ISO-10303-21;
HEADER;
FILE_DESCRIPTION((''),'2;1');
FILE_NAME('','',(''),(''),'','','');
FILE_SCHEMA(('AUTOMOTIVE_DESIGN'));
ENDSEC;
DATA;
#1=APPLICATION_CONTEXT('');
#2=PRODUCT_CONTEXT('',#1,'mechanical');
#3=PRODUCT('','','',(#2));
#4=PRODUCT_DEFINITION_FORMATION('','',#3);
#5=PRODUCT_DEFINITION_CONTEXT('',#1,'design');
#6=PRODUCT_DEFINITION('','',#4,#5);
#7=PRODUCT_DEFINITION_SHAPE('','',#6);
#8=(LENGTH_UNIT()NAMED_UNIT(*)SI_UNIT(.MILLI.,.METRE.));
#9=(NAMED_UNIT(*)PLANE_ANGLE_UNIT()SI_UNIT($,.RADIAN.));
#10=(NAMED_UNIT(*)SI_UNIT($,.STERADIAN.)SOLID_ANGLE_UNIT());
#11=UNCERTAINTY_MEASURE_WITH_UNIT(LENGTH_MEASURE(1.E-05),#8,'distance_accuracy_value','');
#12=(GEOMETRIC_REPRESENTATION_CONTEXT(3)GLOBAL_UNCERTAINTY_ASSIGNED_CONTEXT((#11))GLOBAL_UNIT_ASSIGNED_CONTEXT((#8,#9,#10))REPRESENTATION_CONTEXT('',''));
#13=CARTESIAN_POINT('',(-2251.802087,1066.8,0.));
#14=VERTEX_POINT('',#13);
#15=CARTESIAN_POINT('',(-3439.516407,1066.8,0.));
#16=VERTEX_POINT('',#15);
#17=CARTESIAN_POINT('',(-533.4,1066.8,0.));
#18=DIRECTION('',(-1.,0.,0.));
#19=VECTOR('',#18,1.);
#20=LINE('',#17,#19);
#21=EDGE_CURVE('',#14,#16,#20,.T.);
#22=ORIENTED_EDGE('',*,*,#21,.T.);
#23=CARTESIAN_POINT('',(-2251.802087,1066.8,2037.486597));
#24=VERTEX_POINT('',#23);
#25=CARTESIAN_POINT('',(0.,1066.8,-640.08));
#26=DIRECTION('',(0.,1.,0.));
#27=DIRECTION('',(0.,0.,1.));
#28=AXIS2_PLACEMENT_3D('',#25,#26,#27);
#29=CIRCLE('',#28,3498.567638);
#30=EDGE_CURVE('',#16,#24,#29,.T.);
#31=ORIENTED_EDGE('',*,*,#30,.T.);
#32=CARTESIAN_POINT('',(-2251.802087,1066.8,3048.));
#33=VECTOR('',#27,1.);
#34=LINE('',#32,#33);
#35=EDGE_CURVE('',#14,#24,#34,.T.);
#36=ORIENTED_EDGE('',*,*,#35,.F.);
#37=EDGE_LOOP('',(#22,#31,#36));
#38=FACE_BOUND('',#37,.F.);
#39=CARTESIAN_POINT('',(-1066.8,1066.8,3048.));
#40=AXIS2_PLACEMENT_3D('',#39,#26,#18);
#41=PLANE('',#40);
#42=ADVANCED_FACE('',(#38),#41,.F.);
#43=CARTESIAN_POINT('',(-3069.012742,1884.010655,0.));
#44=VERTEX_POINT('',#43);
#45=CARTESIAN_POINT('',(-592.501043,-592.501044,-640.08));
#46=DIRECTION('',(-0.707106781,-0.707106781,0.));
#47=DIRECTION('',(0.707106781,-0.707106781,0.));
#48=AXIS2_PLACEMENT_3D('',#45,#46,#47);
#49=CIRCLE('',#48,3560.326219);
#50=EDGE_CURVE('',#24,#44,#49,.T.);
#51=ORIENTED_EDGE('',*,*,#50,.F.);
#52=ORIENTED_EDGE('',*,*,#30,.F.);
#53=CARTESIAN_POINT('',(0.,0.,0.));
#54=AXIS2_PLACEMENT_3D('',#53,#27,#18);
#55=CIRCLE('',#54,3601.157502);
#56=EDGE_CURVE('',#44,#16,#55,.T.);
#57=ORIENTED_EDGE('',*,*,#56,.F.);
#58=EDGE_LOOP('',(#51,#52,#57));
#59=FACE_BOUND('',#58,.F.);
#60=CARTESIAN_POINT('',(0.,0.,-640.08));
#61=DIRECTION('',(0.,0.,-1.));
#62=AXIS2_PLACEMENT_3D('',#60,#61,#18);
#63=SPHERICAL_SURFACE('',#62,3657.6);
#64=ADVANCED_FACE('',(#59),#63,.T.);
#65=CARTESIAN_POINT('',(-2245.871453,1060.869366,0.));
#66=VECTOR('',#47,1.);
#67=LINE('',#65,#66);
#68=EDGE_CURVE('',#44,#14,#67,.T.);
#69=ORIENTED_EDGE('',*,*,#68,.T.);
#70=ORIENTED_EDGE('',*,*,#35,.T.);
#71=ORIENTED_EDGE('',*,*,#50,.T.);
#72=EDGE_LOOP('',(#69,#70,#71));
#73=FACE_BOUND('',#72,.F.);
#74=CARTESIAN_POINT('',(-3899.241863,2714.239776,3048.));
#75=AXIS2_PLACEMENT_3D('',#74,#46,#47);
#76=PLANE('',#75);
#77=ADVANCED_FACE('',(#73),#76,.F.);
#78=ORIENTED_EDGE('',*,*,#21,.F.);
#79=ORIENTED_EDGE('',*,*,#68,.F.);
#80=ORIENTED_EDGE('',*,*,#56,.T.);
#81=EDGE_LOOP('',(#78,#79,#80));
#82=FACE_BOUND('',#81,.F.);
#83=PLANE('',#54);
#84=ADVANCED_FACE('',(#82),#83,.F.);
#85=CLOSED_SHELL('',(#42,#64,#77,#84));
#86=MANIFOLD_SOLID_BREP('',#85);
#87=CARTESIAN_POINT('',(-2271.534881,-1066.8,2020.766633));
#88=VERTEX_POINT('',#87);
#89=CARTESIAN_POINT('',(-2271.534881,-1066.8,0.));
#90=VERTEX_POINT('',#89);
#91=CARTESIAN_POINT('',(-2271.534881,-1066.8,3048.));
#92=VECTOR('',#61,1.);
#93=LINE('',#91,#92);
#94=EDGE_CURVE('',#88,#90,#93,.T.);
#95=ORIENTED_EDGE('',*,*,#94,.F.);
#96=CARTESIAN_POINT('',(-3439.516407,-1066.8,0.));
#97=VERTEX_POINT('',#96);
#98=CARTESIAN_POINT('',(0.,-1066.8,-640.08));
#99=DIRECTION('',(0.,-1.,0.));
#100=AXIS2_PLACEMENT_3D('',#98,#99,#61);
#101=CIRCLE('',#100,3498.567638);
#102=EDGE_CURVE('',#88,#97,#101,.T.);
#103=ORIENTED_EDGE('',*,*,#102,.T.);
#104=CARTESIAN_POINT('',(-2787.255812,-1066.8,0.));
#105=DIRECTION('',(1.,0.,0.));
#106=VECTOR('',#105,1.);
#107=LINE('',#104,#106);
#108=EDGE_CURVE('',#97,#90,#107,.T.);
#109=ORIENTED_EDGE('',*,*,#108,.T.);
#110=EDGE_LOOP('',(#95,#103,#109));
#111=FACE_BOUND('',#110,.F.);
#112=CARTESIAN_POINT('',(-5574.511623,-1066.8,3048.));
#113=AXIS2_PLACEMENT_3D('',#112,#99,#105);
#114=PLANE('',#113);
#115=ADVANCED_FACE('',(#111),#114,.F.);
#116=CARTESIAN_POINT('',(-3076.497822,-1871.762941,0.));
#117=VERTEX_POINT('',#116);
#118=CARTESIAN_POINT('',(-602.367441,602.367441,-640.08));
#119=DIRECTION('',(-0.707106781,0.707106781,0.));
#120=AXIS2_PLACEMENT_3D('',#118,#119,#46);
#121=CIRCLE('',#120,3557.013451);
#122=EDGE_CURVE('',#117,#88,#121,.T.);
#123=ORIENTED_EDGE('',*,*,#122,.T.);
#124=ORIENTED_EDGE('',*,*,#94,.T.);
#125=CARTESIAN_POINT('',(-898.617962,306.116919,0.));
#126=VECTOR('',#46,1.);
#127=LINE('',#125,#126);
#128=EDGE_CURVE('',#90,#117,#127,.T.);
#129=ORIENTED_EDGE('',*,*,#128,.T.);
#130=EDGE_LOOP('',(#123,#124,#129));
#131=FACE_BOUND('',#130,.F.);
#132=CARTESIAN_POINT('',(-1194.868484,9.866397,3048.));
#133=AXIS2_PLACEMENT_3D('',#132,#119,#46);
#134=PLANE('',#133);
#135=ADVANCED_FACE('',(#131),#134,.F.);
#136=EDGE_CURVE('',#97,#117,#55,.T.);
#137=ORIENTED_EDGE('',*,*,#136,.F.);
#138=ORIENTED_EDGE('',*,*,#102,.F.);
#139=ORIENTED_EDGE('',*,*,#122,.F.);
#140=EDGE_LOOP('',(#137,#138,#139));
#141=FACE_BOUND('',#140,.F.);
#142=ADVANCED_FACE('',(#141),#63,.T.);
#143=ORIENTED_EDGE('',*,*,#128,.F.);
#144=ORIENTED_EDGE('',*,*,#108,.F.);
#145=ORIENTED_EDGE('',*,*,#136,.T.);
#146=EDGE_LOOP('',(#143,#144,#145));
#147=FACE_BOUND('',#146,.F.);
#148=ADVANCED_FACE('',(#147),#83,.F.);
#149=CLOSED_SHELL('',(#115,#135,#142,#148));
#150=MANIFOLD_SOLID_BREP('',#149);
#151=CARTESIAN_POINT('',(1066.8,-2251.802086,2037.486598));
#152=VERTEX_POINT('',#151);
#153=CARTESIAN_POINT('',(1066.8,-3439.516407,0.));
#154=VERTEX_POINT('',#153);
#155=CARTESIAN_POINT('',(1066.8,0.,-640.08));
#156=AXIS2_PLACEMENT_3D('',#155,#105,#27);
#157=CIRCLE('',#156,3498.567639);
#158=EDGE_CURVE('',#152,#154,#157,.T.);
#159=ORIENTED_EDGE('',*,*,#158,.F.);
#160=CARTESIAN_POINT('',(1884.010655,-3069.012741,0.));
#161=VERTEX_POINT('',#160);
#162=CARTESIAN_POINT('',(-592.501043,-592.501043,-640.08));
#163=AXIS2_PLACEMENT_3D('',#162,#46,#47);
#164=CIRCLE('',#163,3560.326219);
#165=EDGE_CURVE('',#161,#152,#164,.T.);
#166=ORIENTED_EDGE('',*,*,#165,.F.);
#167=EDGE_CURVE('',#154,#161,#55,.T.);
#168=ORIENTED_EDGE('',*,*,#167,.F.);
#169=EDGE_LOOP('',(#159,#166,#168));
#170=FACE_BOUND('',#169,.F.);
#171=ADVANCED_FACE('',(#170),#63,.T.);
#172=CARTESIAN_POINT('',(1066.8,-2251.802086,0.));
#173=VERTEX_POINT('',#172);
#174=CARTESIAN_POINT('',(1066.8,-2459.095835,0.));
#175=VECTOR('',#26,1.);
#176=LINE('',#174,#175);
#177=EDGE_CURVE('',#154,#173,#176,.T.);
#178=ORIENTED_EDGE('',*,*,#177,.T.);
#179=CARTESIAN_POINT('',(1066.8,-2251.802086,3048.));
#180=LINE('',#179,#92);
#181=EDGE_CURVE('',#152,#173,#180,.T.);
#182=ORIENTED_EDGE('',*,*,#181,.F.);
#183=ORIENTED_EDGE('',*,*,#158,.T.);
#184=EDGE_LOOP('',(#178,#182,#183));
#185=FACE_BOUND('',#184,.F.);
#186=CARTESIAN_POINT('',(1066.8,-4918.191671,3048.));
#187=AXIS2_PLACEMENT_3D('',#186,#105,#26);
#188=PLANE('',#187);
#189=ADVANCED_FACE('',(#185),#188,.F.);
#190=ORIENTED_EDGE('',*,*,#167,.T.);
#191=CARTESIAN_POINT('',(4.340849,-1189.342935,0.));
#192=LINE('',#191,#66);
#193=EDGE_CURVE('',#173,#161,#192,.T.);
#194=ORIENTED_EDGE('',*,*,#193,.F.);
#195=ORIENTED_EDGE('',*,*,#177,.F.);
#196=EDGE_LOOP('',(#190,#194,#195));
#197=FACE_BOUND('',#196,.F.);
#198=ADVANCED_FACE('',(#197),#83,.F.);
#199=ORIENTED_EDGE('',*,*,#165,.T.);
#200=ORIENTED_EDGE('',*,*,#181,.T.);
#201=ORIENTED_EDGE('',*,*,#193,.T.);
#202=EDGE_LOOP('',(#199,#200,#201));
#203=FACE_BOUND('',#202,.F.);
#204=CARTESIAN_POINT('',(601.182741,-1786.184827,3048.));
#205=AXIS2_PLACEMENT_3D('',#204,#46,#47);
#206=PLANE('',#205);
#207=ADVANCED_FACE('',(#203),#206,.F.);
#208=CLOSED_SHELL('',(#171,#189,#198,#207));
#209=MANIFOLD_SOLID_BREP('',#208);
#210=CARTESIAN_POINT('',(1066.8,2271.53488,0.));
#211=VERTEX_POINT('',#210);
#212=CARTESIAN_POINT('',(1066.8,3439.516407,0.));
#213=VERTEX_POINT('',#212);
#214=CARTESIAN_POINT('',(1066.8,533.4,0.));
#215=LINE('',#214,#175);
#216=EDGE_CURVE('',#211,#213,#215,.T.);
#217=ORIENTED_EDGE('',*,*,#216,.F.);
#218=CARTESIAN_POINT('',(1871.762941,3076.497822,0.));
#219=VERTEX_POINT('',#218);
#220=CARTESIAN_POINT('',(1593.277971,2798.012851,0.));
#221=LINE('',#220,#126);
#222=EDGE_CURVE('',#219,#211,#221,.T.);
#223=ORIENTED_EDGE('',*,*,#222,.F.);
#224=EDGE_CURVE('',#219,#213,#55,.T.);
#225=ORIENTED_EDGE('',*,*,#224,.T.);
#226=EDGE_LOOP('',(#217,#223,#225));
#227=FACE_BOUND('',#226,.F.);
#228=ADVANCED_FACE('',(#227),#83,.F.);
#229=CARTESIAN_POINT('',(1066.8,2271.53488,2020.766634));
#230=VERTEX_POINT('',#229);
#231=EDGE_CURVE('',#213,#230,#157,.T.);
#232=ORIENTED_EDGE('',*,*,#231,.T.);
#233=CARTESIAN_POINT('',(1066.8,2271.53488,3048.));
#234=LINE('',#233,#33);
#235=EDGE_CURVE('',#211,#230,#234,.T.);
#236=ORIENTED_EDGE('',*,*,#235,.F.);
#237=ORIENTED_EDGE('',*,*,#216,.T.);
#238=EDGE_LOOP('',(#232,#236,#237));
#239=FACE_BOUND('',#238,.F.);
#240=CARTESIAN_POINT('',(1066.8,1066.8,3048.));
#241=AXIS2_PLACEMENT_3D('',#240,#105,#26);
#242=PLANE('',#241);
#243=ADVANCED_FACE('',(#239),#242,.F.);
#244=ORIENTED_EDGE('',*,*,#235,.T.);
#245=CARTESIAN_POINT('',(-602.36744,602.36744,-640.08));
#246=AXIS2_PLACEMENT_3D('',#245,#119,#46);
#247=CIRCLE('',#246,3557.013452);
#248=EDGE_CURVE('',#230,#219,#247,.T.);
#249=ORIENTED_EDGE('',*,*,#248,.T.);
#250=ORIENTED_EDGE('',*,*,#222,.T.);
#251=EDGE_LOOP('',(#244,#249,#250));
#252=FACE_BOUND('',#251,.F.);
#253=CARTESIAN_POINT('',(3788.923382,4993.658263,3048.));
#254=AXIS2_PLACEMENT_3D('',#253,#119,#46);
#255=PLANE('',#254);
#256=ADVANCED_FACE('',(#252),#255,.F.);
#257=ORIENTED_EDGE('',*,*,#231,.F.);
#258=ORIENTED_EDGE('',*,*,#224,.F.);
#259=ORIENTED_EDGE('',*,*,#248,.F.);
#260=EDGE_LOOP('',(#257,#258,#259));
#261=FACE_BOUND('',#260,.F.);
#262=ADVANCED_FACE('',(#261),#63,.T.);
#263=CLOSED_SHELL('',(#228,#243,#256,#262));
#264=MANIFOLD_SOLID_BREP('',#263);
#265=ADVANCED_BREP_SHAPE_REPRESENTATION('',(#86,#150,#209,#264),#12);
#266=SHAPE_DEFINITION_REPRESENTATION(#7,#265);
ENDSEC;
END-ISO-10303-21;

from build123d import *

# Parameters (mm, degrees)
F4_DEPTH = 3048.001
F7_DEPTH = 3048.001


with BuildPart() as f1:
    # F0 (on Front) → F1 (revolve)
    with BuildSketch(Plane.XZ):
        with BuildLine():
            Line((-3601.157502, 0), (0, 0))
            Line((0, 0), (0, 3017.52))
            ThreePointArc((0, 3017.52), (-2349.136134, 2163.417313), (-3601.157502, 0))
        make_face()
    revolve(axis=Axis((0, 0, 1508.76), (0, 0, 1)))

    # F3 (on offset) → F4 (cut, through all)
    with BuildSketch(Plane.XY.offset(3048)):
        Polygon((1066.8, -1066.8), (5574.511623, -1066.8), (5574.511623, 1066.8), (1066.8, 1066.8), (1066.8, 4918.191671), (-1066.8, 4918.191671), (-1066.8, 1066.8), (-5574.511623, 1066.8), (-5574.511623, -1066.8), (-1066.8, -1066.8), (-1066.8, -4918.191671), (1066.8, -4918.191671), align=None)
    extrude(amount=-F4_DEPTH, mode=Mode.SUBTRACT)

    # F6 (on offset) → F7 (cut, through all)
    with BuildSketch(Plane.XY.offset(3048)):
        Polygon((3254.531535, -4439.533621), (5050.582759, -2643.482397), (2397.233965, 9.866397), (5584.974607, 3197.607039), (3788.923382, 4993.658263), (601.182741, 1805.917621), (-2103.190639, 4510.291001), (-3899.241863, 2714.239776), (-1194.868484, 9.866397), (-4624.669167, -3419.934287), (-2768.824077, -5156.191644), (601.182741, -1786.184827), align=None)
    extrude(amount=-F7_DEPTH, mode=Mode.SUBTRACT)


solid = f1.part
